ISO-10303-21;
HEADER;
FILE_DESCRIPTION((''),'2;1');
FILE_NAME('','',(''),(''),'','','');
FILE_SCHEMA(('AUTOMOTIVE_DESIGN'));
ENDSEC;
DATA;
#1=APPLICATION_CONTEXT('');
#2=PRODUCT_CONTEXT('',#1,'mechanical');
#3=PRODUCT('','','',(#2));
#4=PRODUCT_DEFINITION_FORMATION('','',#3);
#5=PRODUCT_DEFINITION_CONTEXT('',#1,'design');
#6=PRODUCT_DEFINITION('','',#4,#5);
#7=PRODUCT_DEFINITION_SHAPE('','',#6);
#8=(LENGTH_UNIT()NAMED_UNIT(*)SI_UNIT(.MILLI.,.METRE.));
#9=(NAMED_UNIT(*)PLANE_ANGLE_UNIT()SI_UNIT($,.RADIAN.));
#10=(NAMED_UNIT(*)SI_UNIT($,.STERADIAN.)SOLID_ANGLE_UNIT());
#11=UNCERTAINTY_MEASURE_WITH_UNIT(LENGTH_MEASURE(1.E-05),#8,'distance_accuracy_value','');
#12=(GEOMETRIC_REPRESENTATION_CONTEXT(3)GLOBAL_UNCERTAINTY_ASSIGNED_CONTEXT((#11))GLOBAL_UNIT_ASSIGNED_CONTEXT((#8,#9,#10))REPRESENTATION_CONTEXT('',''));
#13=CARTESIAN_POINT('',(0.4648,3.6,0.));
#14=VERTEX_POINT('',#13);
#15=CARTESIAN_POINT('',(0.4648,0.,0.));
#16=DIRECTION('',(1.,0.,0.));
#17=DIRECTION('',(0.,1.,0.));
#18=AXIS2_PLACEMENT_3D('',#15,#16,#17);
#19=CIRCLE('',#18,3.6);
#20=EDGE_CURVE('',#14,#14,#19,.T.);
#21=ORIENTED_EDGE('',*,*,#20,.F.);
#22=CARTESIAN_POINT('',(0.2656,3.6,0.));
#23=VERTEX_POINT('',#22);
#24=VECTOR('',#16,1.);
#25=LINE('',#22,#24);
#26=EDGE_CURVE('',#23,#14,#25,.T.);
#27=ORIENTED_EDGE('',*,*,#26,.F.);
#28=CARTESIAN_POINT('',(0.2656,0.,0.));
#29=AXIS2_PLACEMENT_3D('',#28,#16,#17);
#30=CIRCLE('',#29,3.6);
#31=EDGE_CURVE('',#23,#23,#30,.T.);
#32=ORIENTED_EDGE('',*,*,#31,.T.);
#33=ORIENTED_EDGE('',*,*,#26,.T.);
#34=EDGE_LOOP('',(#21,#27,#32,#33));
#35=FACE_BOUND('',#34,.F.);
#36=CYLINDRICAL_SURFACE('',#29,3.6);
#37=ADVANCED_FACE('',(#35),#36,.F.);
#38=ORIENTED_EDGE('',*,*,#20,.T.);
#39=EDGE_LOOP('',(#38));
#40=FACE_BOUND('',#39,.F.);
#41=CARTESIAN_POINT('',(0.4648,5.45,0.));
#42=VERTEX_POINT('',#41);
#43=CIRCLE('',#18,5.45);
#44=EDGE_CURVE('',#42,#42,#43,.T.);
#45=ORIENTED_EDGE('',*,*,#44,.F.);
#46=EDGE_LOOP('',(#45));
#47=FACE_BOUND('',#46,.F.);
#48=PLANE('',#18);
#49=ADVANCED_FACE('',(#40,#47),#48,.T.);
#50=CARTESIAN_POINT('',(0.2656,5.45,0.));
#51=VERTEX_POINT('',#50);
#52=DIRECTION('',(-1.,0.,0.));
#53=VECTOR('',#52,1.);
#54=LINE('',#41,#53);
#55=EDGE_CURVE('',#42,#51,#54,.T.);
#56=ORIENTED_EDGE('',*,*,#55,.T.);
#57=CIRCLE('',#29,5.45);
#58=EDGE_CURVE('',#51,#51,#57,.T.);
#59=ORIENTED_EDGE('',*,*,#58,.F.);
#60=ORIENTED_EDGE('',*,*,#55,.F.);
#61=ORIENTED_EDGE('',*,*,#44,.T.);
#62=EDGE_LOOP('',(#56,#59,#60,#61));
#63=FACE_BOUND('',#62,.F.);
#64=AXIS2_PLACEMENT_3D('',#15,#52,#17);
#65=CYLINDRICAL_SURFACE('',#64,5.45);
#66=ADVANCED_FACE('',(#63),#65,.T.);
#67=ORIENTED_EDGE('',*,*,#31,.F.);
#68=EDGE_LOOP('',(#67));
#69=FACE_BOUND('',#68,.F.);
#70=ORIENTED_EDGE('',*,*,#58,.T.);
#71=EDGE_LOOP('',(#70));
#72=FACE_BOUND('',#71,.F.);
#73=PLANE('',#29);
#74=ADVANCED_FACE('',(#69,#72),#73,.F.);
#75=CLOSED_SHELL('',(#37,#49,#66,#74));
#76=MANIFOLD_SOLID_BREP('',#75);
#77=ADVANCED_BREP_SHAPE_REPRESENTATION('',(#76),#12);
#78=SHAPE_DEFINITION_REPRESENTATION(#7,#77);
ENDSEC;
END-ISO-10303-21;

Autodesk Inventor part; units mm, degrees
sketch "Sketch_1" plane through (0, 0, 0) normal (0, 0, 1) x (1, 0, 0)
  line L0 (0.4648, 0) -> (0.2656, 0)
  line L1 (0.2656, 3.6) -> (0.4648, 3.6)
  line L2 (0.4648, 3.6) -> (0.4648, 5.45)
  line L3 (0.4648, 5.45) -> (0.2656, 5.45)
  line L4 (0.2656, 5.45) -> (0.2656, 3.6)
revolve "Revolution1" add sketch "Sketch_1" angle 360 about axis through (0.4648, 0, 0) along (1, 0, 0)
ref_plane "ip_st_s1_XY" through (0.2656, 0, 0) normal (1, 0, 0) x (0, 0, -1)
ref_plane "ip_st_s1_YZ" through (0.2656, 0, 0) normal (0, 0, -1) x (0, 1, 0)
ref_plane "ip_st_s1_ZX" through (0.2656, 0, 0) normal (0, 1, 0) x (1, 0, 0)
properties part number "MR126ZZ Shield1"
